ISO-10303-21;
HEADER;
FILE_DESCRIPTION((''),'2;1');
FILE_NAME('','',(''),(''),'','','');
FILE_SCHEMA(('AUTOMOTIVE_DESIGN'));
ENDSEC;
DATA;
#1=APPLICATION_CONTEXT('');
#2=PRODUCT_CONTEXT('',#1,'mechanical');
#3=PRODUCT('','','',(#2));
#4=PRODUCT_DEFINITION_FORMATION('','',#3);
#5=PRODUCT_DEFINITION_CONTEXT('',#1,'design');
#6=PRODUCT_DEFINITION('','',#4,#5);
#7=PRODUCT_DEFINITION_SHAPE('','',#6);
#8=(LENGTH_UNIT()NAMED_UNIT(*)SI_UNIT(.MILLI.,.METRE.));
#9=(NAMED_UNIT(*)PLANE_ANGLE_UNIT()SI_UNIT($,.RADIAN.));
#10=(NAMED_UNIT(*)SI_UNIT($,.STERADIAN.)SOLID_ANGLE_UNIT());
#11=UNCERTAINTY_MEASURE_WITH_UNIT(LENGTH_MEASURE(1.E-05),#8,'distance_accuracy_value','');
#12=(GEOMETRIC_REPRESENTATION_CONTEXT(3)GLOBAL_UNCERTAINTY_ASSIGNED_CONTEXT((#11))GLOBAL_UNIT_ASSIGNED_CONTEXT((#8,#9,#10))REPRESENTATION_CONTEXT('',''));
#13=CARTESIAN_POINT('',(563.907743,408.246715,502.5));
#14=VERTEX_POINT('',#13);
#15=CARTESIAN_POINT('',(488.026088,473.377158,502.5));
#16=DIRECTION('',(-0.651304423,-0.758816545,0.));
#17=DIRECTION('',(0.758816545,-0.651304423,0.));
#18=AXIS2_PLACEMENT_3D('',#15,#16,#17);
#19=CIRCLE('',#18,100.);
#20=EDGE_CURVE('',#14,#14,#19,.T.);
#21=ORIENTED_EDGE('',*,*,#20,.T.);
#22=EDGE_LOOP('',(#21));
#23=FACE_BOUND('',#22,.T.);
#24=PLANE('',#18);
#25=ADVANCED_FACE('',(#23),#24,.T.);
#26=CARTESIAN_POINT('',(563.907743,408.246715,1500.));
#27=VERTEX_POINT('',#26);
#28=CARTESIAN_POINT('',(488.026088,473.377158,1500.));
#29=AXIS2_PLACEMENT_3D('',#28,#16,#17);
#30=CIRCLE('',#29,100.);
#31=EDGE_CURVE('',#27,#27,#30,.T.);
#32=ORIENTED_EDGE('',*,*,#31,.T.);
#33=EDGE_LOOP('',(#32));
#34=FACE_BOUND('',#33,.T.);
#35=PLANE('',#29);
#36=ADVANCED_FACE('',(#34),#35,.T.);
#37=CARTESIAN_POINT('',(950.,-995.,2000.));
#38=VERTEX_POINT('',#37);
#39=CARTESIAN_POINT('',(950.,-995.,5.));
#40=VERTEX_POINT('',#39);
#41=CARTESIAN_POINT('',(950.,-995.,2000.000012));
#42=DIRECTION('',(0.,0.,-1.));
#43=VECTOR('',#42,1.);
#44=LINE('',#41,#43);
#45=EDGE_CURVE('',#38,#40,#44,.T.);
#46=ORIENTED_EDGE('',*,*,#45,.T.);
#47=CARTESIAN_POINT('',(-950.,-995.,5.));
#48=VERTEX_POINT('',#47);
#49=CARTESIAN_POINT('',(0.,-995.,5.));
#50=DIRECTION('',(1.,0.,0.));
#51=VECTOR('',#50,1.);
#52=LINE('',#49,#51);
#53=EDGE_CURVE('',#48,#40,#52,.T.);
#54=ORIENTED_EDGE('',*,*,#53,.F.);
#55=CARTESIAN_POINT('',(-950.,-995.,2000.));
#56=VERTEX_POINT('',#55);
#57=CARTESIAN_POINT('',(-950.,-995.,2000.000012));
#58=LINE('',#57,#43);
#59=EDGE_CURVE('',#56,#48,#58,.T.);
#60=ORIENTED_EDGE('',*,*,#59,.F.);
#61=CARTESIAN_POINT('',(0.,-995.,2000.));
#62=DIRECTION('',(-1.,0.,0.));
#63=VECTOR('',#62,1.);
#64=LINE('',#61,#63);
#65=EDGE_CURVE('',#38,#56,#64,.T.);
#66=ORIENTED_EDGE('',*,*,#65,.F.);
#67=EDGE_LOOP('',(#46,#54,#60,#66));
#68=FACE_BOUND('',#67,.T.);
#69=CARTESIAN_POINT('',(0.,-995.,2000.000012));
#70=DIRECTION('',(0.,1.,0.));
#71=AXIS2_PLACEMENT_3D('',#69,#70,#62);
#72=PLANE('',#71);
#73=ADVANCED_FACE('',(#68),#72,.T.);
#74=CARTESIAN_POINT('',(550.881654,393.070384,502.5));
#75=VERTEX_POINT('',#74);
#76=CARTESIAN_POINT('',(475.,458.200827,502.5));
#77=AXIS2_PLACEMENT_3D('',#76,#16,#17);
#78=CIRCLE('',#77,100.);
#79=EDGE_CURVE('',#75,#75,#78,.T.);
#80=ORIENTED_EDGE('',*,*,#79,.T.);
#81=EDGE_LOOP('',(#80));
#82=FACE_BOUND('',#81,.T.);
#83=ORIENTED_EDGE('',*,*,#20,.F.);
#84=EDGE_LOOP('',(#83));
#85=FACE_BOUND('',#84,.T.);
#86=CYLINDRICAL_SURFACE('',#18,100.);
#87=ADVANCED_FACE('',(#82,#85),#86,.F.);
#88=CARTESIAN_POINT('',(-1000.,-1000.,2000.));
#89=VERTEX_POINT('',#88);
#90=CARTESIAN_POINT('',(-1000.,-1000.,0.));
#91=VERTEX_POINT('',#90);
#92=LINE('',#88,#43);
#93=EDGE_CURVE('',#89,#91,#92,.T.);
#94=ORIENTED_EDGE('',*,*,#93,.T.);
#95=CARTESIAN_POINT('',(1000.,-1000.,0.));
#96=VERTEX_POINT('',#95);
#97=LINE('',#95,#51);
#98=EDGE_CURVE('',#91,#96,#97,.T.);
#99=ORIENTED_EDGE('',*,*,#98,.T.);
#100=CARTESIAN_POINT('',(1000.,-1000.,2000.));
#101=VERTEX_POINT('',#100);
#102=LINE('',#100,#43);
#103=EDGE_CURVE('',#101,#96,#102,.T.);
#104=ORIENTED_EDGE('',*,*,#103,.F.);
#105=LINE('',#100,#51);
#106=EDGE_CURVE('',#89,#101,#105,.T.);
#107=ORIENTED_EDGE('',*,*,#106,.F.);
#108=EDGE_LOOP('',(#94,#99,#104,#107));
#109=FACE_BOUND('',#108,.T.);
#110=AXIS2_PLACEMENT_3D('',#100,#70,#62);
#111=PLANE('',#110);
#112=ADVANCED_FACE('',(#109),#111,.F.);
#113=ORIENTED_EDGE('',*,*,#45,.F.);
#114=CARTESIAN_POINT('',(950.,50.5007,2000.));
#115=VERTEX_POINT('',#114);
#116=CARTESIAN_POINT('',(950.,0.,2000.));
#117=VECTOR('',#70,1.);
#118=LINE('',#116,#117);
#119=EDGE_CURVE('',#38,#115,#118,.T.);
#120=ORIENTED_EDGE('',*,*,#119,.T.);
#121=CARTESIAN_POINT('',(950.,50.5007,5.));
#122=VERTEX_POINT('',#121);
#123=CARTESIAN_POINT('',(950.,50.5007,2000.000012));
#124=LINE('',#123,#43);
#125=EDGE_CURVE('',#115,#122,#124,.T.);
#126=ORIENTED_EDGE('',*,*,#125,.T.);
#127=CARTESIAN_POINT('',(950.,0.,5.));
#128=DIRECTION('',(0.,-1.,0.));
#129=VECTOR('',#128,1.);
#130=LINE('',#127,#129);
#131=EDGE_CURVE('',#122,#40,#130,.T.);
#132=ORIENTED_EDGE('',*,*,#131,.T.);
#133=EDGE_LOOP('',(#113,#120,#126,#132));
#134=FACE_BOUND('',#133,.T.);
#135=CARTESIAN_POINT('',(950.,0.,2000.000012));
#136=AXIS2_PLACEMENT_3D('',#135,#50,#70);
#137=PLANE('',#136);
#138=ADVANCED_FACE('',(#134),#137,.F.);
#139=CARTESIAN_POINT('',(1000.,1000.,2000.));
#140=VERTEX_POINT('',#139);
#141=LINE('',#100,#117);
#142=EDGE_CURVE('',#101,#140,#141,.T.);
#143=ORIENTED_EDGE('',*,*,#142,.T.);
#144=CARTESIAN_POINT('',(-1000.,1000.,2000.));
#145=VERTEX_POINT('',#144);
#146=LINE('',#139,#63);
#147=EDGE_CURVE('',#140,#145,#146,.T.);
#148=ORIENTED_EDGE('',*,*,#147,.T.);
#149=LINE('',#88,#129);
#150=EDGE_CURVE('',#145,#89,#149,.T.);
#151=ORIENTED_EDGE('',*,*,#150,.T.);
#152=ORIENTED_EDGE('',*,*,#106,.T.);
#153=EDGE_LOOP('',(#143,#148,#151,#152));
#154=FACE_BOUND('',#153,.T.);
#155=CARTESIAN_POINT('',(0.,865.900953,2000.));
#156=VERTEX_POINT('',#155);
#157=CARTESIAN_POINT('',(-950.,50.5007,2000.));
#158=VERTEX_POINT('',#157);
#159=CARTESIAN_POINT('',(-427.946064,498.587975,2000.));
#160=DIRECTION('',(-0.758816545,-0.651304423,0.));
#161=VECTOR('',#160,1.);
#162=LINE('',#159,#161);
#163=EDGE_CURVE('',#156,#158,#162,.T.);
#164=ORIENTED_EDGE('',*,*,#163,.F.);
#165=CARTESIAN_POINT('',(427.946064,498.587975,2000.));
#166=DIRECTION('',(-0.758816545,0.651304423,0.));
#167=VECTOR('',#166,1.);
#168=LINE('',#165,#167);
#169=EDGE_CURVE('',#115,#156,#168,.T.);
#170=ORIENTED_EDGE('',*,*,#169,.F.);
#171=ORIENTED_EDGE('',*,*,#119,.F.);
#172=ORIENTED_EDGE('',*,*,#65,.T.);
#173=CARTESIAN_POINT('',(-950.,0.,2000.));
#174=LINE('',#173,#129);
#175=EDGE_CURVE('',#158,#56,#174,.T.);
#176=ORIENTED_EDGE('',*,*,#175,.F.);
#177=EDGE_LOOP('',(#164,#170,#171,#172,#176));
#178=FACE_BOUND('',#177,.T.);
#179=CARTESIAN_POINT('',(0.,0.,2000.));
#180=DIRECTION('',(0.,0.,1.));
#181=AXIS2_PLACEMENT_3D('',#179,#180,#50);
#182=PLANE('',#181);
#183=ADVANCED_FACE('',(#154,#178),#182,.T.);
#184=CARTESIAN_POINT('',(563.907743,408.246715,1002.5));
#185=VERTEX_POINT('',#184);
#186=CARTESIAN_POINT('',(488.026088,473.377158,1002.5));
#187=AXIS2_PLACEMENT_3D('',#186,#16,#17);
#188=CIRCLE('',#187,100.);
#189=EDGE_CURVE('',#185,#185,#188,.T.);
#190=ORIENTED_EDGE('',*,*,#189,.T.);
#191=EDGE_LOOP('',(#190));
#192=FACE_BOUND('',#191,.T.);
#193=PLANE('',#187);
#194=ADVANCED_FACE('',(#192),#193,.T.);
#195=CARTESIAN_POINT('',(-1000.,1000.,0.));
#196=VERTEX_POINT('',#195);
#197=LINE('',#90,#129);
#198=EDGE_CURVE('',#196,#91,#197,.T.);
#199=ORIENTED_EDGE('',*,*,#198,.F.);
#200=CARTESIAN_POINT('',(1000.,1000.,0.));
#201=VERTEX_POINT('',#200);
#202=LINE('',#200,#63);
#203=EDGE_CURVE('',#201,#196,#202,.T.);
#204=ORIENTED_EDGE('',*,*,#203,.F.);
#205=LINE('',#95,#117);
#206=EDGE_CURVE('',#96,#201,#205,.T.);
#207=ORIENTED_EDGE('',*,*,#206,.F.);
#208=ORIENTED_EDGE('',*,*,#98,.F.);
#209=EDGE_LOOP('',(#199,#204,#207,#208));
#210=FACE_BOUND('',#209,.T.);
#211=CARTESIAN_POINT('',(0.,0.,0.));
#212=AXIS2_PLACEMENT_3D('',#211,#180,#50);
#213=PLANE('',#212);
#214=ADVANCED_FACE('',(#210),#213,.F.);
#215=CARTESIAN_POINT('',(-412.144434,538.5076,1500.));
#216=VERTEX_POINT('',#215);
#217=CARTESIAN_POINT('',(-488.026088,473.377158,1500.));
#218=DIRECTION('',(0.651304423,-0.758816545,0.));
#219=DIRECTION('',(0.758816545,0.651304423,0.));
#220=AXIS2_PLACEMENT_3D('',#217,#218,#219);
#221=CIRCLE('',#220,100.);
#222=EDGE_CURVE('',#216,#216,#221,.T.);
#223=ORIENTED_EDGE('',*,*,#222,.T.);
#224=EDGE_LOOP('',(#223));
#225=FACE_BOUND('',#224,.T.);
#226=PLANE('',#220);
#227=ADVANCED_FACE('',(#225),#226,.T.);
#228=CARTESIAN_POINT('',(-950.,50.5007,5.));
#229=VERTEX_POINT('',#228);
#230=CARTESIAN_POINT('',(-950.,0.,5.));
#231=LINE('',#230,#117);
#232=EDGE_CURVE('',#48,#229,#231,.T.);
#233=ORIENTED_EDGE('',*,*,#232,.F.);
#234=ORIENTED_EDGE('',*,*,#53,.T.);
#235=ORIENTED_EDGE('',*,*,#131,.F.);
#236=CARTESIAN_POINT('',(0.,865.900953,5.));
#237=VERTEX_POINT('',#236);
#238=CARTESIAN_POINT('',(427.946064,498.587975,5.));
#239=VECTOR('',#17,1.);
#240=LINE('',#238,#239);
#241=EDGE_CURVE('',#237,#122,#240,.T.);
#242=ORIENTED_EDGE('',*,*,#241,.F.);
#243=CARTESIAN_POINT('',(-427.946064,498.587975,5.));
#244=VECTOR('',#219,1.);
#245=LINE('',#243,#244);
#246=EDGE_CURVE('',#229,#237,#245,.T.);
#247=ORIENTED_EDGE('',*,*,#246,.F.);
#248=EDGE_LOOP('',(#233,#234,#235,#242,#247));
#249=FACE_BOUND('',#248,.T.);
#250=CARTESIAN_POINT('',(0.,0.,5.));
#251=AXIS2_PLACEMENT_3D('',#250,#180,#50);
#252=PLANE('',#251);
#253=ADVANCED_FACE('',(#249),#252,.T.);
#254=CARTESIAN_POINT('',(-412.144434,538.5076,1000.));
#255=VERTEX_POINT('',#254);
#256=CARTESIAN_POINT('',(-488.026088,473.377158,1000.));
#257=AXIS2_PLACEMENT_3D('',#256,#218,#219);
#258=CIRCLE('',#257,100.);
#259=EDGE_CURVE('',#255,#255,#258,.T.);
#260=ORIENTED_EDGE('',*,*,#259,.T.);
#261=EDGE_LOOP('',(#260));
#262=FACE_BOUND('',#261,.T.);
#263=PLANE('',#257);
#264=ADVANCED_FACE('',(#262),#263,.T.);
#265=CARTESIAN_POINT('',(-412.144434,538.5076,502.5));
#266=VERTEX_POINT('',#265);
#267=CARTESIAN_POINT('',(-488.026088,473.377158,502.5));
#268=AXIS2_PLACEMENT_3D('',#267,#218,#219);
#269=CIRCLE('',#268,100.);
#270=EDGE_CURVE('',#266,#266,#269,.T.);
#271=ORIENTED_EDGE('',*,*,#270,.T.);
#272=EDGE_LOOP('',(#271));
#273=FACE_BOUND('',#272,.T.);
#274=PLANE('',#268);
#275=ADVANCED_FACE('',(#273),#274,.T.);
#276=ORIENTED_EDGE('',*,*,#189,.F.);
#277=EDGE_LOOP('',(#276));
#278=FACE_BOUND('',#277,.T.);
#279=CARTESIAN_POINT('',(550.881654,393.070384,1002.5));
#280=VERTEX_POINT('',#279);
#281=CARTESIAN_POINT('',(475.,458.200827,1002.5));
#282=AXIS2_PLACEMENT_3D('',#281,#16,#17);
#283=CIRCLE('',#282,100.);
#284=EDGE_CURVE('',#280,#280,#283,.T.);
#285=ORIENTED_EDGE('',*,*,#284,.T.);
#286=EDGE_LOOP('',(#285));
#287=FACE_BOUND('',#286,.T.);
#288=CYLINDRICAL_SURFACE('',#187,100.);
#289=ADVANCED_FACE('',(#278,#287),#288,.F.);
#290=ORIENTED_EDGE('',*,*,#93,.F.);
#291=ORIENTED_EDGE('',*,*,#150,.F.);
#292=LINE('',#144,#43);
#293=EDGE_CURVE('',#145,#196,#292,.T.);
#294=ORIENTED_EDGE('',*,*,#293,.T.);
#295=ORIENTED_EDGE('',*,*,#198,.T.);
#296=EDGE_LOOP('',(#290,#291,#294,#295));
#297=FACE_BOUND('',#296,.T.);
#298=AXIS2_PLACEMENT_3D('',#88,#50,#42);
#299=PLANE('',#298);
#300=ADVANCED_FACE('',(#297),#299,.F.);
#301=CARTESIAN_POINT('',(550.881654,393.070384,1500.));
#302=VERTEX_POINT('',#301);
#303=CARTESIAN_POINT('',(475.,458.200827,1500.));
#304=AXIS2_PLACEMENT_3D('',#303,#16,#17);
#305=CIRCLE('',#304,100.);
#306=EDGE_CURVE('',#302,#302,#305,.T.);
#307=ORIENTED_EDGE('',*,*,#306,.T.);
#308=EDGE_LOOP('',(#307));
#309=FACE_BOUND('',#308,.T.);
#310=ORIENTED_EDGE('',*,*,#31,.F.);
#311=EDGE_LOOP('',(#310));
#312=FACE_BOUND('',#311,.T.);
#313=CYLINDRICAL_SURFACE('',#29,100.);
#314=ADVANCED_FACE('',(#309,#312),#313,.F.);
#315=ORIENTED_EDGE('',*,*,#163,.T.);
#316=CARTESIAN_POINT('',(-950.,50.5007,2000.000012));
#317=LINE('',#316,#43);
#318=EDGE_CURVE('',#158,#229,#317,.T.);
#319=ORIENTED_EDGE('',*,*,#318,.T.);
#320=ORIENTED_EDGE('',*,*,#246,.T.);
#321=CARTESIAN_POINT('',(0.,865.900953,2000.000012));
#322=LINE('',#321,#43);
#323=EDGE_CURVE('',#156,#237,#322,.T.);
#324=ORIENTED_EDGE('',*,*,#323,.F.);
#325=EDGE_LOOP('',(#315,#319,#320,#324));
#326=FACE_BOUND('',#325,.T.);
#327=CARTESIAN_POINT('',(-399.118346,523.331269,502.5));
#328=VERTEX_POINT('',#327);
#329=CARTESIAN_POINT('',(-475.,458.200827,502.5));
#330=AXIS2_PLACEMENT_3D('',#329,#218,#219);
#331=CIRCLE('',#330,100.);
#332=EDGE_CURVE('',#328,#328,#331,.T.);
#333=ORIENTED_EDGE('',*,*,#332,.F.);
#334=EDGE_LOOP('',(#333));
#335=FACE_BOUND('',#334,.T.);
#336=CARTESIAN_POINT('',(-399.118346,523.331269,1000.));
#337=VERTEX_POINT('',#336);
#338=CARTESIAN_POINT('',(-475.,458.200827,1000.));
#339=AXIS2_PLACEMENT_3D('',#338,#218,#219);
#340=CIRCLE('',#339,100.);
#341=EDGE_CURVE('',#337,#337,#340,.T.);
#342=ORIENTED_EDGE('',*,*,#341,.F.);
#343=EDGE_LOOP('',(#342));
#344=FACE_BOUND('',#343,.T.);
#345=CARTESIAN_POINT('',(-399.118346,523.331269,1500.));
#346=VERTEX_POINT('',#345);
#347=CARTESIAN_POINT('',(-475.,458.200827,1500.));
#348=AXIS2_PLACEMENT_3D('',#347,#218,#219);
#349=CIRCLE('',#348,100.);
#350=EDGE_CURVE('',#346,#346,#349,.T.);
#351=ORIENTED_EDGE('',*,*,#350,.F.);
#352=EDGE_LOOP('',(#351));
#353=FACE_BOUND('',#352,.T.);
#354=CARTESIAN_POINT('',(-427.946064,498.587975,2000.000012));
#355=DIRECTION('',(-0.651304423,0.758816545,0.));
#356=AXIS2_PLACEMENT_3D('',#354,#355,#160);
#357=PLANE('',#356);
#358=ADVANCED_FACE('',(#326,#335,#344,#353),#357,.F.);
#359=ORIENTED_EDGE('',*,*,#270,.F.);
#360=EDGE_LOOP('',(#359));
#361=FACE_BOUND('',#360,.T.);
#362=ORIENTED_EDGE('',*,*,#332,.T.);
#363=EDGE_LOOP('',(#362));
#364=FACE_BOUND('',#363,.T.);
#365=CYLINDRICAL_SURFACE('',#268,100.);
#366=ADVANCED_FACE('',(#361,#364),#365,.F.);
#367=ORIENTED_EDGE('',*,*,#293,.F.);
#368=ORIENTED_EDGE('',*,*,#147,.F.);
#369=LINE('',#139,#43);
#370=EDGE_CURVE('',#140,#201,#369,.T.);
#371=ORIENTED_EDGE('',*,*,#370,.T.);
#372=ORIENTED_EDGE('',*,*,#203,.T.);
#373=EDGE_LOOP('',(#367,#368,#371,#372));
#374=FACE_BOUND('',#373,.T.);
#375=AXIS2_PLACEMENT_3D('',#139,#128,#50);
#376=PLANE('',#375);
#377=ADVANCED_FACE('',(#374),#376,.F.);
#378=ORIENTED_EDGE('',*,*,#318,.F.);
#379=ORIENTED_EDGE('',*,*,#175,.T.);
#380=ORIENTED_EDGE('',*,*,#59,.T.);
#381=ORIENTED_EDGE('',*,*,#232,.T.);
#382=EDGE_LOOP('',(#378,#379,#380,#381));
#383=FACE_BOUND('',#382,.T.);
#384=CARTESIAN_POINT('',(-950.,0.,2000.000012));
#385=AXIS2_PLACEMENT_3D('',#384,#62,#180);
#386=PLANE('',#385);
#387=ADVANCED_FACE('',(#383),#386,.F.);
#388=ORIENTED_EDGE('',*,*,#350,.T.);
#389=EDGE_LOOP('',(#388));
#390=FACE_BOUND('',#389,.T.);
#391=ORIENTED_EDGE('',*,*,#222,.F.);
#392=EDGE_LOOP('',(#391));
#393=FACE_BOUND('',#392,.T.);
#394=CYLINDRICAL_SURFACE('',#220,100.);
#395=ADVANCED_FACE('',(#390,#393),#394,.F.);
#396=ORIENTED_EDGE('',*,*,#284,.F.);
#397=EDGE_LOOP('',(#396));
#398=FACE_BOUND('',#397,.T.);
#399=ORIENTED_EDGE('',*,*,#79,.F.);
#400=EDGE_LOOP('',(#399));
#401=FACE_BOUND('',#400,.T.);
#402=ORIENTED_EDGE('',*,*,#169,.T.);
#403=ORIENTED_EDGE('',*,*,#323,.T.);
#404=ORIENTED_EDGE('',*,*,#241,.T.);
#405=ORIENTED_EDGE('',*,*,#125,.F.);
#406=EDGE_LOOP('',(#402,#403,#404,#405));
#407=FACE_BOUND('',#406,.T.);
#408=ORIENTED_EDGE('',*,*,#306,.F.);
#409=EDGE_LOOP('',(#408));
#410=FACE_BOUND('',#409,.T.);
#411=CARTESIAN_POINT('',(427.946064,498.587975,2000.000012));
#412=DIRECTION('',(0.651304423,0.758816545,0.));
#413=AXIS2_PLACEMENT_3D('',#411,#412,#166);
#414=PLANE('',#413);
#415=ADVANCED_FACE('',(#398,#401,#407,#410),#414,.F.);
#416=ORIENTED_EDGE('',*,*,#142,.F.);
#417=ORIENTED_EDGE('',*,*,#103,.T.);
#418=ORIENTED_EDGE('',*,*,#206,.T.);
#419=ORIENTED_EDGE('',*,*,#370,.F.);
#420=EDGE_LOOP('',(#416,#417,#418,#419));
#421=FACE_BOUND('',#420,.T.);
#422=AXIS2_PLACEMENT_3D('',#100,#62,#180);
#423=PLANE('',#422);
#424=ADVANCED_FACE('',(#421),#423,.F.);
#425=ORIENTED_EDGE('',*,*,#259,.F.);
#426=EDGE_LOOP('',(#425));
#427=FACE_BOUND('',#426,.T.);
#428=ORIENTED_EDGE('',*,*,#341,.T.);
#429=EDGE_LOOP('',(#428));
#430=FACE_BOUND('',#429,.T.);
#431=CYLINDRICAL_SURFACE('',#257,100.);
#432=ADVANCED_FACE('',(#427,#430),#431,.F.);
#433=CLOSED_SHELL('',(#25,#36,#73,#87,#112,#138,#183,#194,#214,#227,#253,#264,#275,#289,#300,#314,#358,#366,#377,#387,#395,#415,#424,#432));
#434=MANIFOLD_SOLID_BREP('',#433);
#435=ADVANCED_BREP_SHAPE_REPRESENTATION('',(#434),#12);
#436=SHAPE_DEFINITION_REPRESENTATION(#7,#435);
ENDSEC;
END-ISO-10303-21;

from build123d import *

# Parameters (mm, degrees)
SKETCH1_W               = 2000
SKETCH1_H               = 2000
BOSS_EXTRUDE1_DEPTH     = 2000
CUT_EXTRUDE4_DEPTH      = 2450.489742783
CUT_EXTRUDE4_DEPTH_BACK = 1995
SKETCH6_R               = 100
CUT_EXTRUDE5_DEPTH      = 20
SKETCH3_R               = 100
CUT_EXTRUDE6_DEPTH      = 20


with BuildPart() as part:
    # Sketch1 → Boss-Extrude1 (new body)
    with BuildSketch(Plane.XY):
        Rectangle(SKETCH1_W, SKETCH1_H)
    extrude(amount=BOSS_EXTRUDE1_DEPTH)

    # Sketch2 → Cut-Extrude4 (cut, two sides: drawn at the far end of the back side and taken through both)
    with BuildSketch(Plane.XY.offset(2000).offset(-CUT_EXTRUDE4_DEPTH_BACK)):
        Polygon((-950, -995), (-950, 50.500700421), (0, 865.900952839), (950, 50.500700421), (950, -995), align=None)
    extrude(amount=CUT_EXTRUDE4_DEPTH + CUT_EXTRUDE4_DEPTH_BACK, mode=Mode.SUBTRACT)

    # Sketch6 → Cut-Extrude5 (cut)
    with BuildSketch(Plane(origin=(427.946064097, 498.587975275, 0), x_dir=(0.7588165446031105, -0.6513044231667675, 0), z_dir=(-0.6513044231667675, -0.7588165446031105, 0))):
        with Locations((62.009633604, 1500)):
            Circle(SKETCH6_R)
        with Locations((62.009633604, 1002.5)):
            Circle(SKETCH6_R)
        with Locations((62.009633604, 502.5)):
            Circle(SKETCH6_R)
    extrude(amount=-CUT_EXTRUDE5_DEPTH, mode=Mode.SUBTRACT)

    # Sketch3 → Cut-Extrude6 (cut)
    with BuildSketch(Plane(origin=(-427.946064097, 498.587975275, 0), x_dir=(0.7588165446031103, 0.6513044231667675, 0), z_dir=(0.6513044231667675, -0.7588165446031103, 0))):
        with Locations((-62.009633604, 1500)):
            Circle(SKETCH3_R)
        with Locations((-62.009633604, 1000)):
            Circle(SKETCH3_R)
        with Locations((-62.009633604, 502.5)):
            Circle(SKETCH3_R)
    extrude(amount=-CUT_EXTRUDE6_DEPTH, mode=Mode.SUBTRACT)


solid = part.part
